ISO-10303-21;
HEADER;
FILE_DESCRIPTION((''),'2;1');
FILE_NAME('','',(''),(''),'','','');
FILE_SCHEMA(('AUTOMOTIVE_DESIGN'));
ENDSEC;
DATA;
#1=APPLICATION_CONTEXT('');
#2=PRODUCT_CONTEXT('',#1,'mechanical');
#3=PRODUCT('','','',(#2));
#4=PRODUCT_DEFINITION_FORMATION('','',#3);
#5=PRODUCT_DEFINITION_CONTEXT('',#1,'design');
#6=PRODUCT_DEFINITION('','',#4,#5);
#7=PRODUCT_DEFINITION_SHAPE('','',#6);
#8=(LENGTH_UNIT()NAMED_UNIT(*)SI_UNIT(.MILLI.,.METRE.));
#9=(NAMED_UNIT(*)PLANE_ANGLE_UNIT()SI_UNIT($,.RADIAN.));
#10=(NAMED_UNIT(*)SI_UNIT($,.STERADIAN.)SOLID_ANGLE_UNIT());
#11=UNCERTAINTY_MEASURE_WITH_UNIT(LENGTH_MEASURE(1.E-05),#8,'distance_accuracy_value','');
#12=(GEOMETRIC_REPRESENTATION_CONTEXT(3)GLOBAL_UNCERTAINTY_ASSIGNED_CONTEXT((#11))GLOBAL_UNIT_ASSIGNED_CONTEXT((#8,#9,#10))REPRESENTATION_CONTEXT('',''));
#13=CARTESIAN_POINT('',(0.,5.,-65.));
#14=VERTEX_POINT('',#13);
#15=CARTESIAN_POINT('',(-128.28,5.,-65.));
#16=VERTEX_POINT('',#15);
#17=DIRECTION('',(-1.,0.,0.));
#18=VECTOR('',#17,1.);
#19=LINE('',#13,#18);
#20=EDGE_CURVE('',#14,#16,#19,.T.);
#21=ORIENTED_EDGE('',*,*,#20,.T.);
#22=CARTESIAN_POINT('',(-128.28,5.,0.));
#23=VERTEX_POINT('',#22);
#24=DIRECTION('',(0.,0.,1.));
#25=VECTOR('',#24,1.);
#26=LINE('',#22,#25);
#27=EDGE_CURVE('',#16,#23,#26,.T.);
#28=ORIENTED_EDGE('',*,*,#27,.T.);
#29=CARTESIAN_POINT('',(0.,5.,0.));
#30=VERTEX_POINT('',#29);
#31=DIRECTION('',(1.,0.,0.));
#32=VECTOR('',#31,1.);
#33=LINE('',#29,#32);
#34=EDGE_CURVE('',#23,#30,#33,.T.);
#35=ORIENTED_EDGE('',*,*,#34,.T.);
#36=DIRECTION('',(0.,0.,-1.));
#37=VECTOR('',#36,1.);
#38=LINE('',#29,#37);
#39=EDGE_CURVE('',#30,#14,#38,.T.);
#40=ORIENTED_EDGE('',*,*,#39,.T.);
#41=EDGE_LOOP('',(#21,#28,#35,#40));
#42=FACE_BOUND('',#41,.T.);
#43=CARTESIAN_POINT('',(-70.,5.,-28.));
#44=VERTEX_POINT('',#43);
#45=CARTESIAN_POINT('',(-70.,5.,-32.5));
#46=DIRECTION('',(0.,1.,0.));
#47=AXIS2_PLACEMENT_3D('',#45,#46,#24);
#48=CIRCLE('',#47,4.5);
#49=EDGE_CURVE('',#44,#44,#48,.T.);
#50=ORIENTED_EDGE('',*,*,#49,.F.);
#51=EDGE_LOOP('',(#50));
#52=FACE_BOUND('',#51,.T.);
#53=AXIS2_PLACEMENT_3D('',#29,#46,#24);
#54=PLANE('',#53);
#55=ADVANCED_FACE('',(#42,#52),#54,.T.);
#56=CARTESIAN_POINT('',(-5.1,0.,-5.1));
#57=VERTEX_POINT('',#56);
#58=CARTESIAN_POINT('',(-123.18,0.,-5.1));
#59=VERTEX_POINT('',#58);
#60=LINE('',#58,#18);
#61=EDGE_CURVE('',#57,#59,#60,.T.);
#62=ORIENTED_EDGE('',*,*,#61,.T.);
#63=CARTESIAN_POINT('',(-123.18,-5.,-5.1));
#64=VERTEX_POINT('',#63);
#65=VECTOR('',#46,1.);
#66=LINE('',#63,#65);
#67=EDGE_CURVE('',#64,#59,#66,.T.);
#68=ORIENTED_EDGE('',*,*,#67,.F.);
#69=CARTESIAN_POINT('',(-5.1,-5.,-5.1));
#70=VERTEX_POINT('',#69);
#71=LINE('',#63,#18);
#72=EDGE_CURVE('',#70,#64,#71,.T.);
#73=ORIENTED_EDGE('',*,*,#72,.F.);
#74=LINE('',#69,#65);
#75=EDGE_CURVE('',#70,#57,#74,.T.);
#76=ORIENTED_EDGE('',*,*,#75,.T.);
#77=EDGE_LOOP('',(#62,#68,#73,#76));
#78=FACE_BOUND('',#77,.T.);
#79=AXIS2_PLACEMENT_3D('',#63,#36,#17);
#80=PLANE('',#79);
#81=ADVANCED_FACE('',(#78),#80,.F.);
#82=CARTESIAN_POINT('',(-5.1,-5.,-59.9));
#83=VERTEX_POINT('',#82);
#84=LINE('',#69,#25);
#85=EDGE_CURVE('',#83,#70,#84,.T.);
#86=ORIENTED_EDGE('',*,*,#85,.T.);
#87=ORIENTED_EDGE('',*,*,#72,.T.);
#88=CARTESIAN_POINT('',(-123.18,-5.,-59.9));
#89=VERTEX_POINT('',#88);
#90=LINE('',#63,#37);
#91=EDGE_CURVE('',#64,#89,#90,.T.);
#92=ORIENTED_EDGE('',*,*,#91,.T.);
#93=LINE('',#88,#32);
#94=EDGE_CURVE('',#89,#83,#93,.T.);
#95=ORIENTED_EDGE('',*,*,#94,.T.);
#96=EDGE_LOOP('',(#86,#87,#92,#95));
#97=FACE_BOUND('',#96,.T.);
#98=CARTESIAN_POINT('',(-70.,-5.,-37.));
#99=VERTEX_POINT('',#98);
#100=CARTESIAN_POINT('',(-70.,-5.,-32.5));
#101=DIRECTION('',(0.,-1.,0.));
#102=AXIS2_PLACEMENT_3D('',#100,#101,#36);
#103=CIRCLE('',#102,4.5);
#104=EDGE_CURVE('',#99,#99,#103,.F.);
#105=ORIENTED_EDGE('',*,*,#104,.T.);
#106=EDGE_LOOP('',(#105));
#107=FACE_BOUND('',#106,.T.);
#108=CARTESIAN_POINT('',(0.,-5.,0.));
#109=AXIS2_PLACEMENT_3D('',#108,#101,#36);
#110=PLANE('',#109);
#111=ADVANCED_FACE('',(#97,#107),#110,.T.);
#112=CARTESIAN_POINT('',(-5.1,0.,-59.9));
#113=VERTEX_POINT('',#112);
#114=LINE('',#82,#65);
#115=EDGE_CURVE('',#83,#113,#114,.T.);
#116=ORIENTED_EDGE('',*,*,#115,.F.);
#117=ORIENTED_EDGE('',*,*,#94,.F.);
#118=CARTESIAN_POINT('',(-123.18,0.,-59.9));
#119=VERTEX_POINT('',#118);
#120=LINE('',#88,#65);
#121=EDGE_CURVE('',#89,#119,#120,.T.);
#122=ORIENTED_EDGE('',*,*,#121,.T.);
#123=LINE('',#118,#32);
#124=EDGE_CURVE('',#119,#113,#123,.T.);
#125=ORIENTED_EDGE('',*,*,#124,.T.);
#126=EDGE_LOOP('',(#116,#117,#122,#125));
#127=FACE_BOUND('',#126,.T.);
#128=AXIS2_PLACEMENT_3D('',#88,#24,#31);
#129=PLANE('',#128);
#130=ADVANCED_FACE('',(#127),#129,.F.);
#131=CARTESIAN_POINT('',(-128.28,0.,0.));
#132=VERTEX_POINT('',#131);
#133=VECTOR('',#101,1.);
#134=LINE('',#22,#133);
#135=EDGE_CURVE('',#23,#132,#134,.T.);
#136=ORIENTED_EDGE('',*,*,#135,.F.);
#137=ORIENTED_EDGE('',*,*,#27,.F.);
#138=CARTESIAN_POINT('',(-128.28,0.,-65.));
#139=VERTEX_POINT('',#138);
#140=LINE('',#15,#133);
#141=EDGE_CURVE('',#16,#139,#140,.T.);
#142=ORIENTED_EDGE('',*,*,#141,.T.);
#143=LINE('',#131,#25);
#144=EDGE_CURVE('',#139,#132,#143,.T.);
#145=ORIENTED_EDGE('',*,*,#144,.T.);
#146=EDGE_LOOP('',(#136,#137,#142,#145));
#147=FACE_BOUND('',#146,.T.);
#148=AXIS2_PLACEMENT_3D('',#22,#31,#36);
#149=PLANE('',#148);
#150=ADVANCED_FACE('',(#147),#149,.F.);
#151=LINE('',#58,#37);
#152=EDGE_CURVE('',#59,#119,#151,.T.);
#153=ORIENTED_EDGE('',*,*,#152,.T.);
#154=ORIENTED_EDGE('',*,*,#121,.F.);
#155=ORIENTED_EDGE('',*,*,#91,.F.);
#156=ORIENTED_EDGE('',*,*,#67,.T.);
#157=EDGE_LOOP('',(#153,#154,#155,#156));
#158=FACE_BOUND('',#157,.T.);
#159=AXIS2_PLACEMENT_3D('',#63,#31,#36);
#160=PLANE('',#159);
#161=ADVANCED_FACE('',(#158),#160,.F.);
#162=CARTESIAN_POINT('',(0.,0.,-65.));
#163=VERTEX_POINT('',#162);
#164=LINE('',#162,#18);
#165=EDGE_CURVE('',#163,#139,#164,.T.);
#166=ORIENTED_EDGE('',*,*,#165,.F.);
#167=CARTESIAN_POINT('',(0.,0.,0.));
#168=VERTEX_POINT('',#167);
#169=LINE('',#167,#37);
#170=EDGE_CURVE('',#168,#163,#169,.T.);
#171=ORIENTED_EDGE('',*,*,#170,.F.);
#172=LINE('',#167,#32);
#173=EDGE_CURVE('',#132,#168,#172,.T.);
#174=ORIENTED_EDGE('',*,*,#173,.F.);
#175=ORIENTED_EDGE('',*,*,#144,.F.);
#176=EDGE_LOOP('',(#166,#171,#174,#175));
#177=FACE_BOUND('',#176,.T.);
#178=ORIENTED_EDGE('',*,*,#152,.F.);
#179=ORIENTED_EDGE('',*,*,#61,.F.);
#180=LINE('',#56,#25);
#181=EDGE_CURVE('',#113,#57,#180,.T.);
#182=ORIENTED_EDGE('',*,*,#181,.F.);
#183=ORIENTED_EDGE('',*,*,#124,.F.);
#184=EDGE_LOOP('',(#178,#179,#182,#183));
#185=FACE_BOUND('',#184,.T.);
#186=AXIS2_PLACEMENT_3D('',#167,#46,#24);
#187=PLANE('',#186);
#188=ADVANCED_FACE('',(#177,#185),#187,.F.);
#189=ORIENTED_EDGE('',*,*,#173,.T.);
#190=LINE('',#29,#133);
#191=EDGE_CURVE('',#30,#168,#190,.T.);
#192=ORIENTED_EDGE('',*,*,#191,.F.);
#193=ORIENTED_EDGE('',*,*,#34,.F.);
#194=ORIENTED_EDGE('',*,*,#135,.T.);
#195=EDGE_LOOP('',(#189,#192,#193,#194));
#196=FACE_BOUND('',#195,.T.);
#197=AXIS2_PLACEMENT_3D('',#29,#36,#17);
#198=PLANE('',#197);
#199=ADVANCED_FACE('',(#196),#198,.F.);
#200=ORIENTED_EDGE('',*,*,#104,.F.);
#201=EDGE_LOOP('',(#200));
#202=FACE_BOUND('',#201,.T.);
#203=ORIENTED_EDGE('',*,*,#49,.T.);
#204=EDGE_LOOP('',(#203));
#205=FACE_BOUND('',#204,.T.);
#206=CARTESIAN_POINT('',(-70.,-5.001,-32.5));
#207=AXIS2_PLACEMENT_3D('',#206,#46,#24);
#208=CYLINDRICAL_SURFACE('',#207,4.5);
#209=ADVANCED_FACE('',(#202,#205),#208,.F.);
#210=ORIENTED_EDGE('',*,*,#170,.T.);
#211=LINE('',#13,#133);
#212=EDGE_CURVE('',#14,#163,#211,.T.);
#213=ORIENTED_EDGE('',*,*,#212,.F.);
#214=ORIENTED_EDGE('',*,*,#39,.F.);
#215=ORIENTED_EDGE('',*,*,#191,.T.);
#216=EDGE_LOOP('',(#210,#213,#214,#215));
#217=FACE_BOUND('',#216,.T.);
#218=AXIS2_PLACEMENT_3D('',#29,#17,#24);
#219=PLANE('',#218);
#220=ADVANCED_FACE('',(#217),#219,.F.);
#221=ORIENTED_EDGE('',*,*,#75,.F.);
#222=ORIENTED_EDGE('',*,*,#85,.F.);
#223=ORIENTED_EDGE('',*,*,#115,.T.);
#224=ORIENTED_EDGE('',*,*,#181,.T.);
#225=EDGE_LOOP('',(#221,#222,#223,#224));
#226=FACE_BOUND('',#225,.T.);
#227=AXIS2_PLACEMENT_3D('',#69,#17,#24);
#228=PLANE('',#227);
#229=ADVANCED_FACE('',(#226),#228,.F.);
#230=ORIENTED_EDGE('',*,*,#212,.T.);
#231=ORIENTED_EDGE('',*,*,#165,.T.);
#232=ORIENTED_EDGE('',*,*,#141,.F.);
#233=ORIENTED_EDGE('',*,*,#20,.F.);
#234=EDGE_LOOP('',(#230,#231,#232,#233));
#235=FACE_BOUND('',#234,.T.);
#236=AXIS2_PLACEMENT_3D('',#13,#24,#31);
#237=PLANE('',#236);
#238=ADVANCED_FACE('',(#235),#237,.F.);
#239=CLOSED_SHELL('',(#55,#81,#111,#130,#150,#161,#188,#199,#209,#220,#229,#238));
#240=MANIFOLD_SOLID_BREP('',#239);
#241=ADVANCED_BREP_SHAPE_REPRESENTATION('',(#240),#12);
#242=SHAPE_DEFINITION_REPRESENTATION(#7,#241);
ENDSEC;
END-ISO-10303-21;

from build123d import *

# Parameters (mm, degrees)
SKETCH1_W           = 128.28
SKETCH1_H           = 65
BOSS_EXTRUDE1_DEPTH = 5
SKETCH3_W           = 118.08
SKETCH3_H           = 54.8
BOSS_EXTRUDE2_DEPTH = 5
CUT_EXTRUDE1_REACH  = 146.155
SKETCH4_R           = 4.5


with BuildPart() as part:
    # Sketch1 → Boss-Extrude1 (new body)
    with BuildSketch(Plane(origin=(0, 0, 0), x_dir=(1, 0, 0), z_dir=(0, 1, 0))):
        with Locations((-64.14, 32.5)):
            Rectangle(SKETCH1_W, SKETCH1_H)
    extrude(amount=BOSS_EXTRUDE1_DEPTH)

    # Sketch3 → Boss-Extrude2 (add)
    with BuildSketch(Plane.XZ):
        with Locations((-64.14, -32.5)):
            Rectangle(SKETCH3_W, SKETCH3_H)
    extrude(amount=BOSS_EXTRUDE2_DEPTH)

    # Sketch4 → Cut-Extrude1 (cut, up to next)
    with BuildSketch(Plane(origin=(0, 5, 0), x_dir=(1, 0, 0), z_dir=(0, 1, 0)), mode=Mode.PRIVATE) as cut_extrude1_sk1:
        with Locations(Location((-70, 32.5, 0), (0, 0, 270))):
            Circle(SKETCH4_R)
    cut_extrude1_tool1 = extrude(cut_extrude1_sk1.sketch, amount=-CUT_EXTRUDE1_REACH, mode=Mode.PRIVATE) & part.part
    add(cut_extrude1_tool1.solids().sort_by_distance((-70, 5, -32.5))[0], mode=Mode.SUBTRACT)


solid = part.part
